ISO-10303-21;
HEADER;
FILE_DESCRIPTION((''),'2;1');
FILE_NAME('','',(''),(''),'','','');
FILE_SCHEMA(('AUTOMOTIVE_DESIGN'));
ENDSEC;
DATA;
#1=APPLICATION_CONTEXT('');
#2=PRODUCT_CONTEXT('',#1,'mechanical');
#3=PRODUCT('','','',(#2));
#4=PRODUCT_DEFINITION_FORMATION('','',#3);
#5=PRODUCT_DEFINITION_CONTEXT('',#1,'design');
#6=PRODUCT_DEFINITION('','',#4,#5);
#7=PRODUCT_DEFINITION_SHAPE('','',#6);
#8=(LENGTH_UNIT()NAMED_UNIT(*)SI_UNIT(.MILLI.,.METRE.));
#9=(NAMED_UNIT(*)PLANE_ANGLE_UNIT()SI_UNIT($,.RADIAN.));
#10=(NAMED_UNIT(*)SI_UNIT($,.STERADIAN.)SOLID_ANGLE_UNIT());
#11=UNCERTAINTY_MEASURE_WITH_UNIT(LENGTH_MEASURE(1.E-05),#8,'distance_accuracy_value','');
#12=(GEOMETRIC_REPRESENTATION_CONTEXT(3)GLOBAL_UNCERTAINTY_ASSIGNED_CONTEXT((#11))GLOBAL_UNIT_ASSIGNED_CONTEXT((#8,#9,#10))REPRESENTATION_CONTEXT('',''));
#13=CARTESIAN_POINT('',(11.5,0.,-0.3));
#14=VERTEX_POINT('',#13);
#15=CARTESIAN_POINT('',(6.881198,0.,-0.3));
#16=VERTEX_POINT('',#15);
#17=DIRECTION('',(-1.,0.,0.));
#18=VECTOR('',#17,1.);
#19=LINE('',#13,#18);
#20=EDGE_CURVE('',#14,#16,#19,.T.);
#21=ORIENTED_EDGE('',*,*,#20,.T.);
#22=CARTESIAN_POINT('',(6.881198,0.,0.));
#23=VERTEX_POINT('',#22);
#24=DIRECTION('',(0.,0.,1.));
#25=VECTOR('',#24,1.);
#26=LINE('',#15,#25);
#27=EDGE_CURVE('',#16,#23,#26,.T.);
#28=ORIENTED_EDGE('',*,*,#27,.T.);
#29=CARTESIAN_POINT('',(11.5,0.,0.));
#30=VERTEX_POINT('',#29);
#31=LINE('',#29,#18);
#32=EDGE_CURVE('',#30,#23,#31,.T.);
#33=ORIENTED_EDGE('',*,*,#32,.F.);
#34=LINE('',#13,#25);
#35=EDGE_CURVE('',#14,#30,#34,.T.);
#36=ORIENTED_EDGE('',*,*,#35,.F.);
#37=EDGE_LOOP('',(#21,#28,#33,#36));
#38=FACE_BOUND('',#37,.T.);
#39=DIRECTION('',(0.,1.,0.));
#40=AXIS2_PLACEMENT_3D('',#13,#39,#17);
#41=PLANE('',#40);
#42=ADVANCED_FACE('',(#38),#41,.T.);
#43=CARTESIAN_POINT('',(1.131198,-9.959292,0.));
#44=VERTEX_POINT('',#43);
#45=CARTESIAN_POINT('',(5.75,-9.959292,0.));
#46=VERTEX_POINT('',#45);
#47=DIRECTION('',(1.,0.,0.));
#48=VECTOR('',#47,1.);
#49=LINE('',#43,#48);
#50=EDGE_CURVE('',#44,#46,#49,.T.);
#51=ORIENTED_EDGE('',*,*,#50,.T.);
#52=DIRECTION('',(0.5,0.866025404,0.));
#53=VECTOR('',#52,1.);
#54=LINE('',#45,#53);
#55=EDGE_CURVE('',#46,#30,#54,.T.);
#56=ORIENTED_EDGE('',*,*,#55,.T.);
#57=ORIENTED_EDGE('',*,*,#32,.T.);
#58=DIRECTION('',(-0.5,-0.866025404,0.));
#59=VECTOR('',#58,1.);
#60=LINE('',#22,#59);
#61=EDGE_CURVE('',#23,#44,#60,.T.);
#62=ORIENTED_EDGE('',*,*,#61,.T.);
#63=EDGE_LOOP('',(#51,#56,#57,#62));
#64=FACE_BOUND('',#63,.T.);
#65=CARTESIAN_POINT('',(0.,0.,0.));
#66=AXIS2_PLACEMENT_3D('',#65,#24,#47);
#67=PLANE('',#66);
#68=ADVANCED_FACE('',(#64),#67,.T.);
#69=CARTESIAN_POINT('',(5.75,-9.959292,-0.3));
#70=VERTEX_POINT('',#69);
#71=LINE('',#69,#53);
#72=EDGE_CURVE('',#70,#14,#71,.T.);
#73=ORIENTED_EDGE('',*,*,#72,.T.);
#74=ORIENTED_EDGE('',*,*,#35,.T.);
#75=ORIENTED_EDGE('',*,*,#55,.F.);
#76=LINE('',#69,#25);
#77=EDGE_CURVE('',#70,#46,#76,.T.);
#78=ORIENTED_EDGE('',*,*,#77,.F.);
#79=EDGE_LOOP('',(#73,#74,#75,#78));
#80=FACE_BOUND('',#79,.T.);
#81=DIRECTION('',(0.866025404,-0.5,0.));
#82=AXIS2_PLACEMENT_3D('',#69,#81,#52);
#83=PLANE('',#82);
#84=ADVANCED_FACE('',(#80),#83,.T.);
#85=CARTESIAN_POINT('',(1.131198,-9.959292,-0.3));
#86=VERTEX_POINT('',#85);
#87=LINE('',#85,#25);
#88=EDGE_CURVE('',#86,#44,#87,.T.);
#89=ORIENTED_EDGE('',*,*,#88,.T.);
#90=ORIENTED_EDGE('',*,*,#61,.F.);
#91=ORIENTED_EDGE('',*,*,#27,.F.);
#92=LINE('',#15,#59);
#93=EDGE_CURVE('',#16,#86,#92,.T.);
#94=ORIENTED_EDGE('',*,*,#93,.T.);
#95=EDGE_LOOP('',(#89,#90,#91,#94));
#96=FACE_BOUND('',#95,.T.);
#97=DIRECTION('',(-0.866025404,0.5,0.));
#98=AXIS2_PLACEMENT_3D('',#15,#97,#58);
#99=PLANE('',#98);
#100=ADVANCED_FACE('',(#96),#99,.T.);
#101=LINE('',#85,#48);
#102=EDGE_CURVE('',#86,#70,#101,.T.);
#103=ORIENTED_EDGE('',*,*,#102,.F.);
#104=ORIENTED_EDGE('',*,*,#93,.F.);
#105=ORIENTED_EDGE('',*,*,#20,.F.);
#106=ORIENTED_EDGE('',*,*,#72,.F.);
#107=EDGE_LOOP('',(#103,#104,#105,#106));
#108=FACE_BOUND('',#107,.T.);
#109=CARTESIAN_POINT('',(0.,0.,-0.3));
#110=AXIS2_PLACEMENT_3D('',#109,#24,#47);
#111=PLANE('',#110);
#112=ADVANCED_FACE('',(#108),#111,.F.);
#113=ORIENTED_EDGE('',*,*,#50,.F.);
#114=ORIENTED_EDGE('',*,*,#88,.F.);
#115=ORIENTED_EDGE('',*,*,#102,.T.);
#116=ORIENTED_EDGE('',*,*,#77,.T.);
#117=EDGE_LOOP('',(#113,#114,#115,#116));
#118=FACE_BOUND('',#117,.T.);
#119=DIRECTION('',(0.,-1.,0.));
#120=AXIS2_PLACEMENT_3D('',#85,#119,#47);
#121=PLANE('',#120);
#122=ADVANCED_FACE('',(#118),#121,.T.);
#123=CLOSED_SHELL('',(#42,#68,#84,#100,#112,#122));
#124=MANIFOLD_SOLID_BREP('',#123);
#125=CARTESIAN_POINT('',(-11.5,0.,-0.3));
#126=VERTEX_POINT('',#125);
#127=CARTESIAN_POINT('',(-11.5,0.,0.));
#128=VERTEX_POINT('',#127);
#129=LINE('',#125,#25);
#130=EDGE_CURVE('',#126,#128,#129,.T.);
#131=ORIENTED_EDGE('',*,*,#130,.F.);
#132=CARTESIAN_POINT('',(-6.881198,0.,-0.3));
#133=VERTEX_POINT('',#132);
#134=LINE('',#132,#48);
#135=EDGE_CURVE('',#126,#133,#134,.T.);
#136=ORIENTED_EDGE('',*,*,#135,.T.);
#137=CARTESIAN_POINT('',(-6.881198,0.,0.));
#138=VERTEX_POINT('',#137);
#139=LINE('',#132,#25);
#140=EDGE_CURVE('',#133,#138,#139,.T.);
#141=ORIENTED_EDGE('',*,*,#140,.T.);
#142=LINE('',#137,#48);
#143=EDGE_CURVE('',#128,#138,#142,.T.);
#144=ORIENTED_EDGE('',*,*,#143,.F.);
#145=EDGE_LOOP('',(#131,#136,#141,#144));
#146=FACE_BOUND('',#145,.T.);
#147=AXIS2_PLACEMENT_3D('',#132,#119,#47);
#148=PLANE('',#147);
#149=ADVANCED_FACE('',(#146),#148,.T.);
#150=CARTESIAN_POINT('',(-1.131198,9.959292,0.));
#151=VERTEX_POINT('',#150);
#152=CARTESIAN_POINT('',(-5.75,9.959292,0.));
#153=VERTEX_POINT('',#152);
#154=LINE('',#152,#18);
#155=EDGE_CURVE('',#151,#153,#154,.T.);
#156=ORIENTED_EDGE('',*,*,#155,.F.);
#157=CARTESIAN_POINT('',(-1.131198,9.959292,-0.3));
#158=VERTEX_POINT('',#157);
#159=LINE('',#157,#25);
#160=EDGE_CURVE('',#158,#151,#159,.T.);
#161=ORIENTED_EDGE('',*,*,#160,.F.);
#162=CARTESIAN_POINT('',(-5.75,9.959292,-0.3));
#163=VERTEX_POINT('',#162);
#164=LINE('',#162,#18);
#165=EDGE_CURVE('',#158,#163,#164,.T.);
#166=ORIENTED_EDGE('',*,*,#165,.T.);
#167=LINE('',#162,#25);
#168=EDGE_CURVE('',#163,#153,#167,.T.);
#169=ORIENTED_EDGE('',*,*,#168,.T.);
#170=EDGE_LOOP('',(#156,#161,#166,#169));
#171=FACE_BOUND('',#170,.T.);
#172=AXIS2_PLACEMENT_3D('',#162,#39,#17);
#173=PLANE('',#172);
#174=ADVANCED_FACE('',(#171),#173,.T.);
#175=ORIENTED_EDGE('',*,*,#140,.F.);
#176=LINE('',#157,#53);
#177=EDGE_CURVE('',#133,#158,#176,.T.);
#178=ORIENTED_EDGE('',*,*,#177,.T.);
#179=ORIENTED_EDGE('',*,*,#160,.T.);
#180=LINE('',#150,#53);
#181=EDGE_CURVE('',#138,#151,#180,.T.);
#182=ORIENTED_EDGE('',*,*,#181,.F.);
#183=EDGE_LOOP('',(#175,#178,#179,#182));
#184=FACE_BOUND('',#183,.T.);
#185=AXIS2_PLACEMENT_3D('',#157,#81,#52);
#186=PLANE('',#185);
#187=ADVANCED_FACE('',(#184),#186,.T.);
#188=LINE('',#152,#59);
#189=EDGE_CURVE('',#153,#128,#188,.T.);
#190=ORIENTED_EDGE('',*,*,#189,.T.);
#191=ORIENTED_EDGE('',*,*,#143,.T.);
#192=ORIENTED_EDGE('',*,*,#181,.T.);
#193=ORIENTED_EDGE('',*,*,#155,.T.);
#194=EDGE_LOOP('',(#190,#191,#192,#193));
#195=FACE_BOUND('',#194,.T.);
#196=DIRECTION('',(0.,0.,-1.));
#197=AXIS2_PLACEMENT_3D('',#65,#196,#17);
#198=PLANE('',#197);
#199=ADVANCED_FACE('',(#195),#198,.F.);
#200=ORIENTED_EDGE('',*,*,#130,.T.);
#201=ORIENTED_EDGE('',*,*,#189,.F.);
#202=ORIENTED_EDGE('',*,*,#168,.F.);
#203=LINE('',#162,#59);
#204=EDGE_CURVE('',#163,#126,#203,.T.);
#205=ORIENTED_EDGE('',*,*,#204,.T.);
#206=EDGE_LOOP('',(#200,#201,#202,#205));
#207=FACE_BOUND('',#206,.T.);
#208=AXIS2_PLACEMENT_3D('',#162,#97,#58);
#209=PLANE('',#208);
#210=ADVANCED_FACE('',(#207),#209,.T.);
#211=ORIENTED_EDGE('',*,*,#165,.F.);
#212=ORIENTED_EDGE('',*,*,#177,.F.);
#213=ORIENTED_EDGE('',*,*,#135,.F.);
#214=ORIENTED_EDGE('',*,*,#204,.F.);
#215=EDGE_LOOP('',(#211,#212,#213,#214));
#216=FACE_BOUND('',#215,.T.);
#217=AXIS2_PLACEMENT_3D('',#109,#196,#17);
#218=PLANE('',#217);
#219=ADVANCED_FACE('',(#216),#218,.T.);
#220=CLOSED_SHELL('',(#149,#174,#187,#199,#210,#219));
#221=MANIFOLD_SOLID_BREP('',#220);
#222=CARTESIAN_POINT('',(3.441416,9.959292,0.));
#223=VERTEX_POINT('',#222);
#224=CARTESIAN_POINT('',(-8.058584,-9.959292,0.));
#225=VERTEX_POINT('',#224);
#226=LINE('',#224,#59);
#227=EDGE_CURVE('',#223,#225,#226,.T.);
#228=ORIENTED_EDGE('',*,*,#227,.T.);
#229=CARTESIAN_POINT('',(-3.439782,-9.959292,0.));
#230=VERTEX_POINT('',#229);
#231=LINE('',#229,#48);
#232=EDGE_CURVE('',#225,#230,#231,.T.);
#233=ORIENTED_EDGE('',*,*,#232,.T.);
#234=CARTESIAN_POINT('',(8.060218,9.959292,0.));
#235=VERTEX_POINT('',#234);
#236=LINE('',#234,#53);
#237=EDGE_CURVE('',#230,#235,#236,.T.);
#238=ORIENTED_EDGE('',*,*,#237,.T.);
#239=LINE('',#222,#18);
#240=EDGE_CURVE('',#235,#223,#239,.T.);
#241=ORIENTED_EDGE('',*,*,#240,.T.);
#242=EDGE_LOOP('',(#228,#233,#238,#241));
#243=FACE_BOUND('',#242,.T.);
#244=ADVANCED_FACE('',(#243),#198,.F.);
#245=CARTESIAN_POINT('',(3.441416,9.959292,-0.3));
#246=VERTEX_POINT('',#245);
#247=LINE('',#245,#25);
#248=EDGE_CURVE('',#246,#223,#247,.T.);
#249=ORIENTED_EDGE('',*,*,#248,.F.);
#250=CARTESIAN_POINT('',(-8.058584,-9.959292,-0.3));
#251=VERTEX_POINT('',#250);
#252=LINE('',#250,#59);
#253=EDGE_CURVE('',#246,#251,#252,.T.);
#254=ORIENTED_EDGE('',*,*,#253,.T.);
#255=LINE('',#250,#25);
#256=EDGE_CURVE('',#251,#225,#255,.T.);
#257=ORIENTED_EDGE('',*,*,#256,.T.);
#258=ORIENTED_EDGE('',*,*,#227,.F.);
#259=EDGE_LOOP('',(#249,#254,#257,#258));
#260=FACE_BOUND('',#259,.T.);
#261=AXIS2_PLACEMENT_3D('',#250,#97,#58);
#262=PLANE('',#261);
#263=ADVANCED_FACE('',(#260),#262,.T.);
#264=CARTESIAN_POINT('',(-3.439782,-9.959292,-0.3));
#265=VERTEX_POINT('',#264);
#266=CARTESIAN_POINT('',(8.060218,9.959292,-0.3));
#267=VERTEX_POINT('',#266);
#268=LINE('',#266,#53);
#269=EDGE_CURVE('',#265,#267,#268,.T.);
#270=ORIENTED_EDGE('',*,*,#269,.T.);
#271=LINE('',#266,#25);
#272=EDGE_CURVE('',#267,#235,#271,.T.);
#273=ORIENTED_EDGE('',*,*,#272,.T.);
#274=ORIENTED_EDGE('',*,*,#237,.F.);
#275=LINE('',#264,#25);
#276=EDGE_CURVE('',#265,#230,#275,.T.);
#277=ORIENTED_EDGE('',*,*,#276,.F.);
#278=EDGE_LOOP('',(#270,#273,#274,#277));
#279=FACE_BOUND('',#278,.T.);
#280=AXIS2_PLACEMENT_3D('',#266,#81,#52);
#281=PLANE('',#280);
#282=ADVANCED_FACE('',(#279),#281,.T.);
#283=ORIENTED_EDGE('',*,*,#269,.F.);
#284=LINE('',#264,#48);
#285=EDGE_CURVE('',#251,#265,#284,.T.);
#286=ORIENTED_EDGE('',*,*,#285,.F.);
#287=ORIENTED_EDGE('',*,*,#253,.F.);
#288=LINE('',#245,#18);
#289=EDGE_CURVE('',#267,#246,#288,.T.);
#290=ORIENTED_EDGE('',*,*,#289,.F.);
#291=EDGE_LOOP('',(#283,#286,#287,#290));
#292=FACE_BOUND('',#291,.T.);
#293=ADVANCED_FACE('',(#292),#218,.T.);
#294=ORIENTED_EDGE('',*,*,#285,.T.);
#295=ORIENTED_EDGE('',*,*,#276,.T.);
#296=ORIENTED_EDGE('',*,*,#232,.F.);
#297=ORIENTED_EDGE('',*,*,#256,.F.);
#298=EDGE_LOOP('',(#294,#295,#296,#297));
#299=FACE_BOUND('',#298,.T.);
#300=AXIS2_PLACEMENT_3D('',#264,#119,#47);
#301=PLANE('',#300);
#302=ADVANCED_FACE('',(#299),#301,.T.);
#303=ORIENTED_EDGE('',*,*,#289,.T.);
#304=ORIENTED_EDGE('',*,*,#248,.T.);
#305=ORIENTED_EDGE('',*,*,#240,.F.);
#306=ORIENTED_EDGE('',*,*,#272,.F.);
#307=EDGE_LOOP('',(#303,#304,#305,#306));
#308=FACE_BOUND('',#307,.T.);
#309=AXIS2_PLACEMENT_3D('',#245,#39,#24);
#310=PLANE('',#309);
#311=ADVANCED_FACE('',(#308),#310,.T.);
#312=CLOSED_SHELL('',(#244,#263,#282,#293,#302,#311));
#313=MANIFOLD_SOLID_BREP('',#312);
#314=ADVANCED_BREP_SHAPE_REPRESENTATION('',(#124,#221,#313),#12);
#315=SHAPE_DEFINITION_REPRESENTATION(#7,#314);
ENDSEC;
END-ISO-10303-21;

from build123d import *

# Parameters (mm, degrees)
ESTRUSIONE_ESTRUSIONE1_DEPTH   = 0.3
ESTRUSIONE_ESTRUSIONE1_2_DEPTH = 0.3
ESTRUSIONE_ESTRUSIONE1_3_DEPTH = 0.3


with BuildPart() as part:
    # Schizzo1 → Estrusione-Estrusione1 (new body)
    with BuildSketch(Plane.XY):
        Polygon((-1.131197846, 9.959292144), (-6.881197846, 0), (-11.5, 0), (-5.75, 9.959292144), align=None)
    extrude(amount=-ESTRUSIONE_ESTRUSIONE1_DEPTH)


with BuildPart() as body_2:
    # Schizzo1 → Estrusione-Estrusione1 2 (new body)
    with BuildSketch(Plane.XY):
        Polygon((5.75, -9.959292144), (11.5, 0), (6.881197846, 0), (1.131197846, -9.959292144), align=None)
    extrude(amount=-ESTRUSIONE_ESTRUSIONE1_2_DEPTH)


with BuildPart() as body_3:
    # Schizzo1 → Estrusione-Estrusione1 3 (new body)
    with BuildSketch(Plane.XY):
        Polygon((3.441416285, 9.959292144), (8.060218439, 9.959292144), (-3.439781561, -9.959292144), (-8.058583715, -9.959292144), align=None)
    extrude(amount=-ESTRUSIONE_ESTRUSIONE1_3_DEPTH)


solid = Compound([part.part, body_2.part, body_3.part])
